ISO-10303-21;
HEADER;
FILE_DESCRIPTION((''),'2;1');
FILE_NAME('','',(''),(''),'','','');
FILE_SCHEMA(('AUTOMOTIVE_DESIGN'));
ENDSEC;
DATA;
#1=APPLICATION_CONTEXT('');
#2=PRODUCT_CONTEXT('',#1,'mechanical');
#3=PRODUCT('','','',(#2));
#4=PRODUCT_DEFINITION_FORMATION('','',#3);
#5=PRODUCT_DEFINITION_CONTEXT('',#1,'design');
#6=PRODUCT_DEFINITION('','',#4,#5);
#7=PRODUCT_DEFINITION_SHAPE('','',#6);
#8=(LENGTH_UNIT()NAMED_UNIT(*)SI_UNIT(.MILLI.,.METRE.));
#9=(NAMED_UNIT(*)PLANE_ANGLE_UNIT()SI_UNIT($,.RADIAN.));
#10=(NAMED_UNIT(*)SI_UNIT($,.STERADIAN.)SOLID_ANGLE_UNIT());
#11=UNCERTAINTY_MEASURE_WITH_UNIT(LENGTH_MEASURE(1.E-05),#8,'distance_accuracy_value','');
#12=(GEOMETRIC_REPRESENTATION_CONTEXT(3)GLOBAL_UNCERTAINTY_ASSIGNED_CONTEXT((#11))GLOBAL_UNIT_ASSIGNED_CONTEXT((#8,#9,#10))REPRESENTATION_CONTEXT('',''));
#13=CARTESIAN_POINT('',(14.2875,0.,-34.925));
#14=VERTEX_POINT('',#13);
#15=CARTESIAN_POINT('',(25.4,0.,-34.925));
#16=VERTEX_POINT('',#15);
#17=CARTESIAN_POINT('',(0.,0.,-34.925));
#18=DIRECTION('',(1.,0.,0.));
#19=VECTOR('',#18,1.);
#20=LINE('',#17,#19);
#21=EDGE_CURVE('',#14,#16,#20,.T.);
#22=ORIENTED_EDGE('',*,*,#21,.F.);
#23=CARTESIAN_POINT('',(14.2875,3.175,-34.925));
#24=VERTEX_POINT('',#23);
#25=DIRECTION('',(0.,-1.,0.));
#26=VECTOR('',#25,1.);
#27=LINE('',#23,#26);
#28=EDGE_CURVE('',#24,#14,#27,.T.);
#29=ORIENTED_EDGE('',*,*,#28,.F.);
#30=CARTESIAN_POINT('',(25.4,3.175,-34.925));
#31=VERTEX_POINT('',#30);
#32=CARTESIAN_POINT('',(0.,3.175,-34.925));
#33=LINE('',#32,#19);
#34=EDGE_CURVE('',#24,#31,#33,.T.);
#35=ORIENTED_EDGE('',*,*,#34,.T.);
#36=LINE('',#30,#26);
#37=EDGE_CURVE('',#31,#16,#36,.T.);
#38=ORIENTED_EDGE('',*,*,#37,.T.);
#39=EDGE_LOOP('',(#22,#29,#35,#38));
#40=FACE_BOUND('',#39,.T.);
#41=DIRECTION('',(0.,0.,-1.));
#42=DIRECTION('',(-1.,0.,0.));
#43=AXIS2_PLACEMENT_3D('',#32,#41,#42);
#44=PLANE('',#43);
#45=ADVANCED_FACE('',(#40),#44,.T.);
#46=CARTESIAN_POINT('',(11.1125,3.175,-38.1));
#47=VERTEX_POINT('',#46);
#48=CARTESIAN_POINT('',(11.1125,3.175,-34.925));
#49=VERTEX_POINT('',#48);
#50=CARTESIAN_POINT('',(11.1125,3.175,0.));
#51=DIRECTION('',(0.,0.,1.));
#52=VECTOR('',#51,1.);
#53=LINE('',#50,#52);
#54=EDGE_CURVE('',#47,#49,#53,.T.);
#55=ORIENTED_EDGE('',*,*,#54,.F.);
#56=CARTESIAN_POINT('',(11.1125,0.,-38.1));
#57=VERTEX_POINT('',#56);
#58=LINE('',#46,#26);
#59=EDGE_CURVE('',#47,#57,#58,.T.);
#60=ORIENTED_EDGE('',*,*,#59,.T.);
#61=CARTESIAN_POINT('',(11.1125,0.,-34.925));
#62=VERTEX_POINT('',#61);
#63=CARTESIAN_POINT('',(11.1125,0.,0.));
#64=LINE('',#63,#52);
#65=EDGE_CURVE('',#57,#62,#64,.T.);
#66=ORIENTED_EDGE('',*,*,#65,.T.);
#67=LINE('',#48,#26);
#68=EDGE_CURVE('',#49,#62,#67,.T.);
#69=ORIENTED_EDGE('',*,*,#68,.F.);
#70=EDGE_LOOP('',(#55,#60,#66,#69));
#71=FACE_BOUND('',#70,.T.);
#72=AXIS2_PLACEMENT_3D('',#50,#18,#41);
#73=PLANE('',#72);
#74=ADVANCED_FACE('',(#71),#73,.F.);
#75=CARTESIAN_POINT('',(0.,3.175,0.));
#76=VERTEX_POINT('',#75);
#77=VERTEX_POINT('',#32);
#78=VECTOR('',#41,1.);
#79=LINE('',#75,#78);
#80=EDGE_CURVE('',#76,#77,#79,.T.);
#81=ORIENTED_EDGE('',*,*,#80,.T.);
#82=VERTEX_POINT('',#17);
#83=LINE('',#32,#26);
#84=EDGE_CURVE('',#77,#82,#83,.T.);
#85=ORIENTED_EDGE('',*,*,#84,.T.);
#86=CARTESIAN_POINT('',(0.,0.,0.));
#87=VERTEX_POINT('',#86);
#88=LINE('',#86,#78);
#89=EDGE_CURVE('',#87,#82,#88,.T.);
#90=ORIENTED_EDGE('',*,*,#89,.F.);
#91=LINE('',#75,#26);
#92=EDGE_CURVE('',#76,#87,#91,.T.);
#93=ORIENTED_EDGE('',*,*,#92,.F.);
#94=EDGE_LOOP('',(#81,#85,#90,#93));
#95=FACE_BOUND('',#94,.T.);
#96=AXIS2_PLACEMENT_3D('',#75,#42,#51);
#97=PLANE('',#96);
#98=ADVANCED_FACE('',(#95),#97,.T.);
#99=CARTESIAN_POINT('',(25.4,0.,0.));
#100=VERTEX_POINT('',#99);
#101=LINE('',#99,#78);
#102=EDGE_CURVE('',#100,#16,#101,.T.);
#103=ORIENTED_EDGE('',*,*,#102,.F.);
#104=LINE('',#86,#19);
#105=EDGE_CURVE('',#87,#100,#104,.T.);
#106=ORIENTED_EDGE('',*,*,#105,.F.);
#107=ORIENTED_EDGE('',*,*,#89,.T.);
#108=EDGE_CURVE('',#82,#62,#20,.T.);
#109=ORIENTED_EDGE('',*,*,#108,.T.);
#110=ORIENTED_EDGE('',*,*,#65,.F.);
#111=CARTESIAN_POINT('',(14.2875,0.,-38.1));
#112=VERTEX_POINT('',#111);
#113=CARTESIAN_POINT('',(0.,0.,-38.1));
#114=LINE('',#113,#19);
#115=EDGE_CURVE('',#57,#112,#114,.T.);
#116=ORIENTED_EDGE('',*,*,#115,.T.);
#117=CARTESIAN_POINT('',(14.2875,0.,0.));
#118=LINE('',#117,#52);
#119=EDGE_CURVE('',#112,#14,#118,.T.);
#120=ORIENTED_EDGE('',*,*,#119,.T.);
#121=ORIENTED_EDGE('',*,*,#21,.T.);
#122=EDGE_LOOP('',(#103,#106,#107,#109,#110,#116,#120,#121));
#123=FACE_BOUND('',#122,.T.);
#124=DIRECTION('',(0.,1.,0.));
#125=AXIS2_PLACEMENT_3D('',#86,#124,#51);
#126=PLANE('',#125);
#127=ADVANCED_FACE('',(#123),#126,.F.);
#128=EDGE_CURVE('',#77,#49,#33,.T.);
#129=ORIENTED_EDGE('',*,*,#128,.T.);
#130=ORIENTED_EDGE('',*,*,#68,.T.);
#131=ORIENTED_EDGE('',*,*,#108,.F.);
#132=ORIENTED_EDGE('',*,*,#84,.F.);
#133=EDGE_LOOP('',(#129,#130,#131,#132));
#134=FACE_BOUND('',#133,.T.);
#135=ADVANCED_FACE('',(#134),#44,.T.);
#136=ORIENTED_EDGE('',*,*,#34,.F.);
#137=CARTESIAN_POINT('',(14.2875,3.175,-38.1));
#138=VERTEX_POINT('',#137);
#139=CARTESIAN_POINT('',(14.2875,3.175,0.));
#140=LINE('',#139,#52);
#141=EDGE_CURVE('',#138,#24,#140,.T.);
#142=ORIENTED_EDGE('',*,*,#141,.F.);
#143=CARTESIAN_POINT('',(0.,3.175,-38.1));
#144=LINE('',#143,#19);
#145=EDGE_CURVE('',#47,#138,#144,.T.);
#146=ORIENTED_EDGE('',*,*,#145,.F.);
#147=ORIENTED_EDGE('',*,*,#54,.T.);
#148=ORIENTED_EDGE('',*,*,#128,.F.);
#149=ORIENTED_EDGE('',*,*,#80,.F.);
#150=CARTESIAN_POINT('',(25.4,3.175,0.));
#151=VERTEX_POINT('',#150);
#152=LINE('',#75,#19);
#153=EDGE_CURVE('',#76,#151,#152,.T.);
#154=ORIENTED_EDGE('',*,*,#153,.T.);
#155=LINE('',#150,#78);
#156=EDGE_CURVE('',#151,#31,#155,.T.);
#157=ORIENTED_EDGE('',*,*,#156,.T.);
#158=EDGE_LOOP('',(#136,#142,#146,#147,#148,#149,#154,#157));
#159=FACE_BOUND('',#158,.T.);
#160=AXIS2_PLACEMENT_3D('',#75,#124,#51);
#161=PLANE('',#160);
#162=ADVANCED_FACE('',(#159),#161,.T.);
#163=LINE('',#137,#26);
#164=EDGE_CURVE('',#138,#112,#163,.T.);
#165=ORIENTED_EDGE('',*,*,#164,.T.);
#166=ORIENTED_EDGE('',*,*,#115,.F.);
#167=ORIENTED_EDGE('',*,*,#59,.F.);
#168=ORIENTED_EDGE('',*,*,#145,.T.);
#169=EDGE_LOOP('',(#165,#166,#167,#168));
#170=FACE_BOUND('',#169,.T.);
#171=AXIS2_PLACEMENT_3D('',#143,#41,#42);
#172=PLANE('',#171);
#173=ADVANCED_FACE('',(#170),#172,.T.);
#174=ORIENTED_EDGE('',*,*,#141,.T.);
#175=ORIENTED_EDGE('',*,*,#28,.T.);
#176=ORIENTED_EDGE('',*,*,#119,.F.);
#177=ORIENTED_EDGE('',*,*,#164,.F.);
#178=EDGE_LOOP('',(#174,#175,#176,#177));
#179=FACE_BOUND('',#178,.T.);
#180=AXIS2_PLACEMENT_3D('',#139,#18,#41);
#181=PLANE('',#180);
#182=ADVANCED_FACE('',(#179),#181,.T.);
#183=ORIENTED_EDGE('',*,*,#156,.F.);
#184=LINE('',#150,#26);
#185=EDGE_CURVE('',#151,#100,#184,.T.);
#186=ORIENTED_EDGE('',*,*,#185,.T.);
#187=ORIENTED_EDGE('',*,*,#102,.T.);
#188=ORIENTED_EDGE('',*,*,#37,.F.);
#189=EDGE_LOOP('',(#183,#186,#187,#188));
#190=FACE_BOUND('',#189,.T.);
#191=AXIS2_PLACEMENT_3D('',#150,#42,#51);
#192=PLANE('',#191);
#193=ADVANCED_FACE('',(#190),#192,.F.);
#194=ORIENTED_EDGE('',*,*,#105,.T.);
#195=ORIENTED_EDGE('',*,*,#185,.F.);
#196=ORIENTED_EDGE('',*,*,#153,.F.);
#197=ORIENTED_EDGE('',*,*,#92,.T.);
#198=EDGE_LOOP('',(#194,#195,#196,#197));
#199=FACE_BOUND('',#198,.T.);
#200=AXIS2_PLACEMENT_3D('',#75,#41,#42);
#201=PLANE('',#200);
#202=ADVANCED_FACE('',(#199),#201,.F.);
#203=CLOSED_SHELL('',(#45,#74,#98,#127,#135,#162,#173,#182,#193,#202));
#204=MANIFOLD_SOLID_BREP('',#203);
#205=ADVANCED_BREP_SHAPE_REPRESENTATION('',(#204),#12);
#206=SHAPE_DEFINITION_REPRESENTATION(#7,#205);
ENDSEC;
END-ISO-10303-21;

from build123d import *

# Parameters (mm, degrees)
BOSS_EXTRUDE1_DEPTH = 3.175


with BuildPart() as part:
    # Sketch1 → Boss-Extrude1 (new body)
    with BuildSketch(Plane(origin=(0, 0, 0), x_dir=(1, 0, 0), z_dir=(0, 1, 0))):
        Polygon((0, 34.925), (0, 0), (11.1125, 0), (14.2875, 0), (25.4, 0), (25.4, 34.925), (14.2875, 34.925), (14.2875, 38.1), (11.1125, 38.1), (11.1125, 34.925), align=None)
    extrude(amount=BOSS_EXTRUDE1_DEPTH)


solid = part.part
